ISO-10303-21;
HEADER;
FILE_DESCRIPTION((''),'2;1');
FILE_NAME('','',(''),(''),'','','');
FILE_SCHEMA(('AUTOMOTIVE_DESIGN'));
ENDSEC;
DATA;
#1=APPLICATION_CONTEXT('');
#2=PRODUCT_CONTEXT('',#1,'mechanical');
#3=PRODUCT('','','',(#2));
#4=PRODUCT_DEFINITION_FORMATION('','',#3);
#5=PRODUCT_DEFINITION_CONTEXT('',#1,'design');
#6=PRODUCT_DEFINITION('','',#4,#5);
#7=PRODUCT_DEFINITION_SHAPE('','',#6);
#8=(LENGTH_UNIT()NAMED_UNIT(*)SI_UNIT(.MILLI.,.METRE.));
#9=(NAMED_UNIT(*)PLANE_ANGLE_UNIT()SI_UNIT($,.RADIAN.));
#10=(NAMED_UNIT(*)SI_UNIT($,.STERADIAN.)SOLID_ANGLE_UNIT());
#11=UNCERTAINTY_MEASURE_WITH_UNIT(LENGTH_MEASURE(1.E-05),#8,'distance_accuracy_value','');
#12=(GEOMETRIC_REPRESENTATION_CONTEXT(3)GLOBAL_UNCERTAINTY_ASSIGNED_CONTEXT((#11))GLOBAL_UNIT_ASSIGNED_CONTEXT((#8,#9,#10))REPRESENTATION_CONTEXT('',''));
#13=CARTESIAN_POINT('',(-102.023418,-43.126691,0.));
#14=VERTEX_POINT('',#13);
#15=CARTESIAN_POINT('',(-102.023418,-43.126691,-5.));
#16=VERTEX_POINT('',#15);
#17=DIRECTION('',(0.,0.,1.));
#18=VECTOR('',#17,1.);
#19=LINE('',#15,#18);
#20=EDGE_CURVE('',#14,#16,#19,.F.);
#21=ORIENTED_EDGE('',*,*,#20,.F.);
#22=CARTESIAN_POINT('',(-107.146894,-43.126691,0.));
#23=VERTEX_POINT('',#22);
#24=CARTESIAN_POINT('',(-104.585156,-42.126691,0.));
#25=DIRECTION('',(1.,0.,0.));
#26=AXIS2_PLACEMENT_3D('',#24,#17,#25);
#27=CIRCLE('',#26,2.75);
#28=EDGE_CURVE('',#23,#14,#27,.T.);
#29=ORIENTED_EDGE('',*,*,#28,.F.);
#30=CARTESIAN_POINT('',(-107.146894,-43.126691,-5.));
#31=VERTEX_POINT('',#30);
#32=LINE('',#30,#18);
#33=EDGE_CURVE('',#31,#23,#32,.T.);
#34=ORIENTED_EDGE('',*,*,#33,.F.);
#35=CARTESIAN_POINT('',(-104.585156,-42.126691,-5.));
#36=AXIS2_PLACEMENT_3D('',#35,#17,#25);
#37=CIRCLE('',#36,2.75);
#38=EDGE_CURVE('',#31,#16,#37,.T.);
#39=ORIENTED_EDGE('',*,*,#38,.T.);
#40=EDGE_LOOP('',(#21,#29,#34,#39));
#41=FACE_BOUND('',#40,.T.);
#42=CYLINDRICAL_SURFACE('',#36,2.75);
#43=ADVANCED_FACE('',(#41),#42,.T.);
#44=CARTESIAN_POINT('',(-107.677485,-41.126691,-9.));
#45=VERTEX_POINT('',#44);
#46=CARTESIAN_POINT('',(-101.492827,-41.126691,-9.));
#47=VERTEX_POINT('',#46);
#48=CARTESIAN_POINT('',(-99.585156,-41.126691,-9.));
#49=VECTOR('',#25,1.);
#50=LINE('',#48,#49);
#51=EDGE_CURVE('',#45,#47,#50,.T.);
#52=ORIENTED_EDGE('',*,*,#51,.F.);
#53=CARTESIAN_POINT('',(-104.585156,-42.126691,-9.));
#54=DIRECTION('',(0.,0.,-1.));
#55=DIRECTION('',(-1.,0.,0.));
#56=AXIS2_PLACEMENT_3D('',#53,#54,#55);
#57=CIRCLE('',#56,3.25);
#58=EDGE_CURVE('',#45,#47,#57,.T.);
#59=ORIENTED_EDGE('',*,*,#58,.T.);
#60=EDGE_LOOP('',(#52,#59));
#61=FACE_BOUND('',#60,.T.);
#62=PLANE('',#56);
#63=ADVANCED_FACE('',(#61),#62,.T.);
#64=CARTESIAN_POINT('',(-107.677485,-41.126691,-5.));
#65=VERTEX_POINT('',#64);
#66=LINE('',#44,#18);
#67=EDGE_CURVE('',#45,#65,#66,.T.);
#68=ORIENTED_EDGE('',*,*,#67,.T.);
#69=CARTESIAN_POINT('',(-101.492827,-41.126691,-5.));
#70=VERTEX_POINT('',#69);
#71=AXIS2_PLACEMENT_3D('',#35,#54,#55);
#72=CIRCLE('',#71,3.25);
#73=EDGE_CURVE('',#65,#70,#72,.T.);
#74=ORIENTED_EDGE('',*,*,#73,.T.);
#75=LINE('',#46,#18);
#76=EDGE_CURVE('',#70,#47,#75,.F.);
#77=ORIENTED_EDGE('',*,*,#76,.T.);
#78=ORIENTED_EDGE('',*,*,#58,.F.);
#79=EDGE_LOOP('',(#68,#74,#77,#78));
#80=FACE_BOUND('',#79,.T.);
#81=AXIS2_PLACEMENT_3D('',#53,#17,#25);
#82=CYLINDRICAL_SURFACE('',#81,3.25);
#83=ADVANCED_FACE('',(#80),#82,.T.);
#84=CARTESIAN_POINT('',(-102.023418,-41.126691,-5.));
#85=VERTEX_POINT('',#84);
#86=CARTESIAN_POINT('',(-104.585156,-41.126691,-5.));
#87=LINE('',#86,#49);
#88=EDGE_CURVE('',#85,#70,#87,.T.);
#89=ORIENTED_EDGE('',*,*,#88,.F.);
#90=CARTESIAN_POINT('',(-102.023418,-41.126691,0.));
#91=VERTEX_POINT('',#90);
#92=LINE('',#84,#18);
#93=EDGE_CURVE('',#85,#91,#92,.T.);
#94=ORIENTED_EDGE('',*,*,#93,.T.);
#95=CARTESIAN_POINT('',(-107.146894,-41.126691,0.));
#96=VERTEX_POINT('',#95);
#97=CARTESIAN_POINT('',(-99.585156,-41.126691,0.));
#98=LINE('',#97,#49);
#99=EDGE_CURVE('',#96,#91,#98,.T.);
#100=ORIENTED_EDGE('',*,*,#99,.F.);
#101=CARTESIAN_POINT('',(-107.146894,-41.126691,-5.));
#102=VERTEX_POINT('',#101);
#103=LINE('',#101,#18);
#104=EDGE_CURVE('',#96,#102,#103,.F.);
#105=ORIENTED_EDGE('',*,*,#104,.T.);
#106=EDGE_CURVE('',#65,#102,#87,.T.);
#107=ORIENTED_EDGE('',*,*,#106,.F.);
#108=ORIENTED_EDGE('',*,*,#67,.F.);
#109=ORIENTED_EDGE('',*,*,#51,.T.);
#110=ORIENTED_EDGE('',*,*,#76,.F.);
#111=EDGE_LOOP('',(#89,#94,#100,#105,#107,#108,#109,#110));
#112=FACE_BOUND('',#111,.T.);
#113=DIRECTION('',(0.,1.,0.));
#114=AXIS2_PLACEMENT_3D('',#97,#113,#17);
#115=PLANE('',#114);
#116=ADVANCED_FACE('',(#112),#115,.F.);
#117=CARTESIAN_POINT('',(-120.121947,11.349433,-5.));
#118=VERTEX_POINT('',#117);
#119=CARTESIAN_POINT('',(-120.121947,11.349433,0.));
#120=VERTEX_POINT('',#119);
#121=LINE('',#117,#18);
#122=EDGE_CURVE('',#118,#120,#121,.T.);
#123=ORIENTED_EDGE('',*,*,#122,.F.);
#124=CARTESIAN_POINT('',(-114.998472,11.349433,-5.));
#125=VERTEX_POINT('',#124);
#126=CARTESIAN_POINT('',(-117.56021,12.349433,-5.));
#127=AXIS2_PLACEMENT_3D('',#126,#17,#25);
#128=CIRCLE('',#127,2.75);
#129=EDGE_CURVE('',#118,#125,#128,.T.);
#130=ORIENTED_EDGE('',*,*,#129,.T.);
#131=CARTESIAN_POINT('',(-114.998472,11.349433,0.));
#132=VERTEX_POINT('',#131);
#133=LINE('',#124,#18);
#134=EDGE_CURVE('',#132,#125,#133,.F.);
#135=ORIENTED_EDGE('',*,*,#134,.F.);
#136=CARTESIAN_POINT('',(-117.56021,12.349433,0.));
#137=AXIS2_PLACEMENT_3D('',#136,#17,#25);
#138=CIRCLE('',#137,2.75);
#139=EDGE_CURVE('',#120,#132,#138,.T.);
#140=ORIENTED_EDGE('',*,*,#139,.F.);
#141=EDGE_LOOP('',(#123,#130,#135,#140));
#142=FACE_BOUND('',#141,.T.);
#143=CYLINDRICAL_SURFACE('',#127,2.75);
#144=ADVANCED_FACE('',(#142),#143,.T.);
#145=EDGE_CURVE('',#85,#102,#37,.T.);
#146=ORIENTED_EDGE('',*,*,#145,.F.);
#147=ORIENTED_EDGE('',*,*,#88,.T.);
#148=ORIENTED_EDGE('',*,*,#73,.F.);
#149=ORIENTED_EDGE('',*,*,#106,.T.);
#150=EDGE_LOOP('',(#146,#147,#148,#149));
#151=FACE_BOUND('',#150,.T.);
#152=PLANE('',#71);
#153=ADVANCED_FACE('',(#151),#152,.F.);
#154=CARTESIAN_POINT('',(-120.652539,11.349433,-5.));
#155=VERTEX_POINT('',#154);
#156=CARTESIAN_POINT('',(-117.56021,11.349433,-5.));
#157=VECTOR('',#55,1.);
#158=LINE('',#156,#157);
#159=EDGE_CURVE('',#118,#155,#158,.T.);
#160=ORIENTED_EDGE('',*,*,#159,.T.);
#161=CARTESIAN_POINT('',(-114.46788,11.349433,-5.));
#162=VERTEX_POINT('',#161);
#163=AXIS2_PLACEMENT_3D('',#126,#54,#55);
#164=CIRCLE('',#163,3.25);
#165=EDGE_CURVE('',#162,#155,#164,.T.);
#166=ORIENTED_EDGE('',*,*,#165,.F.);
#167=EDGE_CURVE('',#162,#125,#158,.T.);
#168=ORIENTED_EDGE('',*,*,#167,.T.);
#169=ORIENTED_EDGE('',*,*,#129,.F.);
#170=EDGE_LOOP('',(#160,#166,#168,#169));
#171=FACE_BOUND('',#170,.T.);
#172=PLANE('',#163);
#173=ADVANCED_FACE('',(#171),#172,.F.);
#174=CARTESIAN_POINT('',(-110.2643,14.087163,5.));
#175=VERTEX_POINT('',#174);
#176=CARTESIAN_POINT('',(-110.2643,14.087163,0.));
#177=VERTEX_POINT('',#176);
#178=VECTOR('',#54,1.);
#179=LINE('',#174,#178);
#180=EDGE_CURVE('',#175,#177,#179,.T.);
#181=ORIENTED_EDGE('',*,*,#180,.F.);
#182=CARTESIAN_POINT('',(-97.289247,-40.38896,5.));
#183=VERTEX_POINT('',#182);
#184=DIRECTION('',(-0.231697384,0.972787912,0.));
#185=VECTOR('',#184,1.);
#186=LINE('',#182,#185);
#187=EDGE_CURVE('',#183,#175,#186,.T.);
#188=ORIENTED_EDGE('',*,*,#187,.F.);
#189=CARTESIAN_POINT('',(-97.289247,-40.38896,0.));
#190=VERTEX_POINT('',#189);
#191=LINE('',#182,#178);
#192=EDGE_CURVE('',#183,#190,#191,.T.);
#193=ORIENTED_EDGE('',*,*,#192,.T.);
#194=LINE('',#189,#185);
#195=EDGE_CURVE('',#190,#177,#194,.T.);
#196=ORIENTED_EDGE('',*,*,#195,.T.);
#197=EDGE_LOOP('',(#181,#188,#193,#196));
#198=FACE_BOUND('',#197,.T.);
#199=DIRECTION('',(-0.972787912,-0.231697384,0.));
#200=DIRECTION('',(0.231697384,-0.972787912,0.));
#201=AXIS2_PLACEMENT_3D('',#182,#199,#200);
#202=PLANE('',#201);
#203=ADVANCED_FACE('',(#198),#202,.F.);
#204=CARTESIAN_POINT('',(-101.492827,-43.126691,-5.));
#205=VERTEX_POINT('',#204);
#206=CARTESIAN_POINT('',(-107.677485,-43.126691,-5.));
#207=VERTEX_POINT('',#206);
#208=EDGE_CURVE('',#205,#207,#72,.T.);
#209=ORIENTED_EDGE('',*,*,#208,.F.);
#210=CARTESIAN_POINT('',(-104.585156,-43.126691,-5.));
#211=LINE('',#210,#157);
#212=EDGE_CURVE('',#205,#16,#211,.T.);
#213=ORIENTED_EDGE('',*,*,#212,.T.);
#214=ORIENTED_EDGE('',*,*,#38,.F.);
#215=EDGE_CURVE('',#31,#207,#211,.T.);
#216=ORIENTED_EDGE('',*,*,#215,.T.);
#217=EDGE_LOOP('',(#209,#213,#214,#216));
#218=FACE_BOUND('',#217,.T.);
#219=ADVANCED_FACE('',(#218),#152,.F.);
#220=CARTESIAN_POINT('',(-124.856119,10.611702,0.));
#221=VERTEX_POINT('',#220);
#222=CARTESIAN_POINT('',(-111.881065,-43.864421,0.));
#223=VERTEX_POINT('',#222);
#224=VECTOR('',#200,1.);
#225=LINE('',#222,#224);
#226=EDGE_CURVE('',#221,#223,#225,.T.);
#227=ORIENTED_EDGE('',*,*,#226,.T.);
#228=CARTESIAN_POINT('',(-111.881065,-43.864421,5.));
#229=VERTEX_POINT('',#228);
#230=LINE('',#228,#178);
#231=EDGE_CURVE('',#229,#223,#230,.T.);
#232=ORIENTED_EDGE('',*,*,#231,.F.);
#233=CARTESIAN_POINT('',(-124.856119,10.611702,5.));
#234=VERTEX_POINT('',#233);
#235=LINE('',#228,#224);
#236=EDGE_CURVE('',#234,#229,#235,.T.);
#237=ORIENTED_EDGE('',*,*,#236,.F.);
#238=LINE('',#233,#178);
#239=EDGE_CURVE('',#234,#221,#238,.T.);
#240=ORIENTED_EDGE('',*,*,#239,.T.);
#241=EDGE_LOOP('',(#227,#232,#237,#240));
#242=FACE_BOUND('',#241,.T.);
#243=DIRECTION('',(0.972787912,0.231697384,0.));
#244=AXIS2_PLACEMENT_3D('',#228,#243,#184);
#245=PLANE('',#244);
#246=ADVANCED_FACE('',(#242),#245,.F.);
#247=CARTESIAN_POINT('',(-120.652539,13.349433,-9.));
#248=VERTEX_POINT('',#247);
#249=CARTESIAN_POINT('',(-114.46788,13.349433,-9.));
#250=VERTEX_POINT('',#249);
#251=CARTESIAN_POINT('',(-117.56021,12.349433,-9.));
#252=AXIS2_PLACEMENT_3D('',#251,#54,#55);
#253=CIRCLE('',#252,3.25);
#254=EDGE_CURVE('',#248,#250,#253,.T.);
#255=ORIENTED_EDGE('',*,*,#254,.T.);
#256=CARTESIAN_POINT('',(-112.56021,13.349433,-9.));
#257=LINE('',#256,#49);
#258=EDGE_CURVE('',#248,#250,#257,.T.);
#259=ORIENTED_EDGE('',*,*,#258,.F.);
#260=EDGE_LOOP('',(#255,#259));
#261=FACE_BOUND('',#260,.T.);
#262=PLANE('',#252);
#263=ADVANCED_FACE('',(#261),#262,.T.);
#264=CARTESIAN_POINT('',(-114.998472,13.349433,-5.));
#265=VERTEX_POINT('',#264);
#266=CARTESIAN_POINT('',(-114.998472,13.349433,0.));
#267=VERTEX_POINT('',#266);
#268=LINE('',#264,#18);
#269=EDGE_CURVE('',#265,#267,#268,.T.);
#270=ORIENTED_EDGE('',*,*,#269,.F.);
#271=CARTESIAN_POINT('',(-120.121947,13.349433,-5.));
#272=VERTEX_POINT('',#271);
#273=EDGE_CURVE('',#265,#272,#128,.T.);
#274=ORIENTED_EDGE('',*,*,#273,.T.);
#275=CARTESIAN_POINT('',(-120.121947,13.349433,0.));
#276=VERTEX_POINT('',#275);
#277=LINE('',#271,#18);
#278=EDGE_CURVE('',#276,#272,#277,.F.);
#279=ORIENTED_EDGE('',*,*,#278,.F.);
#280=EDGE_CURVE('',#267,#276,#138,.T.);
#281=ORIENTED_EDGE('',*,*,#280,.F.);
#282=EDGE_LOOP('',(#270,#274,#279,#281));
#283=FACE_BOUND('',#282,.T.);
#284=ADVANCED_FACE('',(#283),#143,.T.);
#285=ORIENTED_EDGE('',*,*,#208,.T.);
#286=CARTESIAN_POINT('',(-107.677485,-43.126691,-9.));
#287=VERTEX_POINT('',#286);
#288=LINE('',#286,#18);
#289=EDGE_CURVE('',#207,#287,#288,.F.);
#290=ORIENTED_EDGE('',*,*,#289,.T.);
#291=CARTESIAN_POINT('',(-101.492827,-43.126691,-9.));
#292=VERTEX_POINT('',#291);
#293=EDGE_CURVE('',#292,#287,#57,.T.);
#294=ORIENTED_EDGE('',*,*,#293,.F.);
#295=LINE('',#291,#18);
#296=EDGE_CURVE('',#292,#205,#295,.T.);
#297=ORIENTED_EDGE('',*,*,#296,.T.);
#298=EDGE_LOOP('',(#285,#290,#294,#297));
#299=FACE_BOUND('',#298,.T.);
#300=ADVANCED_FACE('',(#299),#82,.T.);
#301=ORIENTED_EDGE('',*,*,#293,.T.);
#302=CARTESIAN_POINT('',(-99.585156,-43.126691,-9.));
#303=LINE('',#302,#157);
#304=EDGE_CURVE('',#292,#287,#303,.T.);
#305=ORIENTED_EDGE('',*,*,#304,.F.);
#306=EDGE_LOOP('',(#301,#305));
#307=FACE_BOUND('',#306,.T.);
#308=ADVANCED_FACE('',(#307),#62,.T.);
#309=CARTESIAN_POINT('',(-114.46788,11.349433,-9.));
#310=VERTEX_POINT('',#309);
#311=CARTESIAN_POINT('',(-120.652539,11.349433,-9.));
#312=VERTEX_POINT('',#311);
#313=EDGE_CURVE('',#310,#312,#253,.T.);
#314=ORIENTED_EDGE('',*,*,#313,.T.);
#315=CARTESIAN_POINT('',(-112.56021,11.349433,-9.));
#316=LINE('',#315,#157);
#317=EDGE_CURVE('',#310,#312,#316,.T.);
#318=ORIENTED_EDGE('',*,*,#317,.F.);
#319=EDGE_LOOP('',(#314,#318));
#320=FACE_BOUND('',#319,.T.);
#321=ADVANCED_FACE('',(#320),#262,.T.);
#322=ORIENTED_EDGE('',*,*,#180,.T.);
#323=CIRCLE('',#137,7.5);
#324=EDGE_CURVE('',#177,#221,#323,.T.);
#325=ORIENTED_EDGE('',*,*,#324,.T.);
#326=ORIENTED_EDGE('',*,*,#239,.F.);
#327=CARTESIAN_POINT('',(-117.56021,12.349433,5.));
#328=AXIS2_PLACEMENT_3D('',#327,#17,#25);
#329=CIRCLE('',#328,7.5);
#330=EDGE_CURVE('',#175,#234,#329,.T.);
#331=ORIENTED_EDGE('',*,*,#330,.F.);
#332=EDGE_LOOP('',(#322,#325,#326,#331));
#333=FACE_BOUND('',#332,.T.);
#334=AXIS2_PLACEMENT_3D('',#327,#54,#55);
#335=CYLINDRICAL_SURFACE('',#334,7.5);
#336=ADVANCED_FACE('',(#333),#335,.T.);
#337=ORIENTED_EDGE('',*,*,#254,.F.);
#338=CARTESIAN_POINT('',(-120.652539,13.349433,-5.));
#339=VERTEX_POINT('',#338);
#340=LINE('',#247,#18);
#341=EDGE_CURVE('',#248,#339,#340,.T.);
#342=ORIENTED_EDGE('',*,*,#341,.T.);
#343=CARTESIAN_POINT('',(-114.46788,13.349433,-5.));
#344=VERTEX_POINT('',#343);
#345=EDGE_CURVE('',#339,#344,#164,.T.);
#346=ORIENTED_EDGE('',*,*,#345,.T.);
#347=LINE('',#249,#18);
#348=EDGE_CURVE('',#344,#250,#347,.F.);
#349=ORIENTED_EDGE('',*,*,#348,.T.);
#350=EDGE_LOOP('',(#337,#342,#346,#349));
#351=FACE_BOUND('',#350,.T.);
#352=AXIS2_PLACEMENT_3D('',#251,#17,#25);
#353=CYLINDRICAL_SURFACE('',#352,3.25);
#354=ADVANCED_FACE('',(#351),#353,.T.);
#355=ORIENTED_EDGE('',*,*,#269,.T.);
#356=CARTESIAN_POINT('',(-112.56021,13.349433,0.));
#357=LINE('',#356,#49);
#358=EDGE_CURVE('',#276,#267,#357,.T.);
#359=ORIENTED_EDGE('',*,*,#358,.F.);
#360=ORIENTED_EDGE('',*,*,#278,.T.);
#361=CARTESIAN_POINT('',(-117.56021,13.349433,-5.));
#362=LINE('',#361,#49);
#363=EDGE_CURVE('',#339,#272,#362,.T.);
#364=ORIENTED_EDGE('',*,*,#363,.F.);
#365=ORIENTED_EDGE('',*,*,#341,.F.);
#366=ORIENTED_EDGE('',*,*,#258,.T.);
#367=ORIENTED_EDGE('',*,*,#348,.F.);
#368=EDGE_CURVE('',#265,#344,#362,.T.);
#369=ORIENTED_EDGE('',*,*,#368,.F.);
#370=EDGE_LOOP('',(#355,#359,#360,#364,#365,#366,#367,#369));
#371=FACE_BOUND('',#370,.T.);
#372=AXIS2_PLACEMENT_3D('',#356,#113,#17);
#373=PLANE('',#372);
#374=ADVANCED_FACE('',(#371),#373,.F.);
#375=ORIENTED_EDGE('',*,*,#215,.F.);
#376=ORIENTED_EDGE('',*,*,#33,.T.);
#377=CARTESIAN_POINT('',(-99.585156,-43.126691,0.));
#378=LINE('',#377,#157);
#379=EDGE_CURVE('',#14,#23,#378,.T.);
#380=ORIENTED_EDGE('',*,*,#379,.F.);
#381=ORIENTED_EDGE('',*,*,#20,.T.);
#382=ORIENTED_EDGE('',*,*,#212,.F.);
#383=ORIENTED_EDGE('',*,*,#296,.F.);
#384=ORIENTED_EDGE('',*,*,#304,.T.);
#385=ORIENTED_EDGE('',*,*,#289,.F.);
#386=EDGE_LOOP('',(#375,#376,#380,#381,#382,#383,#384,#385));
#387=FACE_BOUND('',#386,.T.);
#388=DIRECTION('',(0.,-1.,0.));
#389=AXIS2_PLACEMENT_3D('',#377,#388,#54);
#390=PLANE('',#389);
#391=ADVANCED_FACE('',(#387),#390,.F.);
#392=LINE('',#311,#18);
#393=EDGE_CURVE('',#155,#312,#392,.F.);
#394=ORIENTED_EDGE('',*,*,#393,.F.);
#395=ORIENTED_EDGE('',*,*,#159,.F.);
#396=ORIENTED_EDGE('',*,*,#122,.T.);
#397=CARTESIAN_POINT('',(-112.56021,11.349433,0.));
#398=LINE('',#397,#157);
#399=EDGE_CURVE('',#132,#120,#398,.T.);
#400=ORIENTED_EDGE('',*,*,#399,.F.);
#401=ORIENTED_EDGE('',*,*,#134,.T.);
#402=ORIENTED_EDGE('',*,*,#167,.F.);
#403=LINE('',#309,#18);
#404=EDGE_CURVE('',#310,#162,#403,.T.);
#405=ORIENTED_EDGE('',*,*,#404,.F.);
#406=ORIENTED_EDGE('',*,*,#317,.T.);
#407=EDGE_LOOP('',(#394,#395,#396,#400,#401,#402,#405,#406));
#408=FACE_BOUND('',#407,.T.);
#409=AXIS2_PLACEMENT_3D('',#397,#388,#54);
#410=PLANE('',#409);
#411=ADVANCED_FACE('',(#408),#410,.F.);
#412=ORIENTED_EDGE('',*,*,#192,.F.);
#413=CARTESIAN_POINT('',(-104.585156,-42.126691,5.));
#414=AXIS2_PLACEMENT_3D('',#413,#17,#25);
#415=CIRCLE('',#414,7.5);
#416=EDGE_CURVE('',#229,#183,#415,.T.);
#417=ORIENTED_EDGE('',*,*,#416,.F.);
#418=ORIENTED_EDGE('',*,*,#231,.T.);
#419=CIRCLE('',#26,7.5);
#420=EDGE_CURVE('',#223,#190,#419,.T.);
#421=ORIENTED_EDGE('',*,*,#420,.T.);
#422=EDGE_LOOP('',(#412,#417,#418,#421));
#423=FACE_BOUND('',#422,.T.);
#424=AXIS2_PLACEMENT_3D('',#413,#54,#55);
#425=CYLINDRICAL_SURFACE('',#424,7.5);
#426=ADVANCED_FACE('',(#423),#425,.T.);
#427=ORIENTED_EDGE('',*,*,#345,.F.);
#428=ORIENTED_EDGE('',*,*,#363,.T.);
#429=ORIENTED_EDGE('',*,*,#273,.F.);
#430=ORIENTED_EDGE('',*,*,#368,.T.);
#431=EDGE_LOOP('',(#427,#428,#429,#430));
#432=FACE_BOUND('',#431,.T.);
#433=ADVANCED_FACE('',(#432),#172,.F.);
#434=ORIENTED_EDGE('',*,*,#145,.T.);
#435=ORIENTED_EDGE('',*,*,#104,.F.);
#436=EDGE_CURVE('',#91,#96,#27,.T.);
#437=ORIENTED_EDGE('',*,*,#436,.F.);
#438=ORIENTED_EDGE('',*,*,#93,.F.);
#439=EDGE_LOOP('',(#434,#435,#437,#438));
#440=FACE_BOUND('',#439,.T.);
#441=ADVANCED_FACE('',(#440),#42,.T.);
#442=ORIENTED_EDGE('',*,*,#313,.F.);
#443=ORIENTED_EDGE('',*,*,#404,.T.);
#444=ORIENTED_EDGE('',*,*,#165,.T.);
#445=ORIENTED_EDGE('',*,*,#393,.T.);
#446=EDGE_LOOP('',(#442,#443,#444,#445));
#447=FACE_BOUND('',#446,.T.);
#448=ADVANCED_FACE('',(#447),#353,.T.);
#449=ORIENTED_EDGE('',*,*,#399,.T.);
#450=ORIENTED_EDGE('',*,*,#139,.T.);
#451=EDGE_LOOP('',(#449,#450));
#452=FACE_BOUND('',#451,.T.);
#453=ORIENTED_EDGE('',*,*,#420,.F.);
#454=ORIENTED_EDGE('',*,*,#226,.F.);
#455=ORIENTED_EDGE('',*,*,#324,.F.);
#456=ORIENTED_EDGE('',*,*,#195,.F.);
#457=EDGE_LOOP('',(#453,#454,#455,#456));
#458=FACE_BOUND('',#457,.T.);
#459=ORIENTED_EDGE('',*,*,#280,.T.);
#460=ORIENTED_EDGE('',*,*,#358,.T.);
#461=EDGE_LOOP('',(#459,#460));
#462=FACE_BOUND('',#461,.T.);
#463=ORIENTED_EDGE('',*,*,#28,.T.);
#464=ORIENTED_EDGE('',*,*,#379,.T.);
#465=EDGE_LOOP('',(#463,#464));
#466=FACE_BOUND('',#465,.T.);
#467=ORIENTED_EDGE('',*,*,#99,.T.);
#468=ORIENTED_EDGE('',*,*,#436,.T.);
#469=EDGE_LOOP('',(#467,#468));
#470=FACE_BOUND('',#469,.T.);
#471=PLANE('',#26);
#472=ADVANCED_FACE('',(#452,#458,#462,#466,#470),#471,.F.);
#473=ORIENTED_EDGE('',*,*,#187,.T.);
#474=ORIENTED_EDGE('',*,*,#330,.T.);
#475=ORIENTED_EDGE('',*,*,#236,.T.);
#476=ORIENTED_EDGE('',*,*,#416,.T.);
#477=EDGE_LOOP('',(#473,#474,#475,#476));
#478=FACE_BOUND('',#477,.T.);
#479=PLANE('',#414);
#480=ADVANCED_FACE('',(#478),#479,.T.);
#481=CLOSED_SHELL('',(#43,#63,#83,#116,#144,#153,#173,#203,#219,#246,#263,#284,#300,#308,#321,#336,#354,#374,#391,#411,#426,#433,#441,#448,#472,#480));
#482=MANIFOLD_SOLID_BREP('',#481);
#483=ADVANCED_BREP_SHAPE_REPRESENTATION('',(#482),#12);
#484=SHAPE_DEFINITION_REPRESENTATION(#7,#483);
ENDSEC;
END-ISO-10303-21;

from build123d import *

# Parameters (mm, degrees)
BOSS_EXTRU_1_DEPTH      = 5
ESQUISSE3_R             = 2.75
BOSS_EXTRU_2_DEPTH      = 5
ESQUISSE4_R             = 3.25
BOSS_EXTRU_3_DEPTH      = 4
ESQUISSE5_W             = 10
ESQUISSE5_H             = 2
ENL_V_MAT_EXTRU_1_DEPTH = 9


with BuildPart() as part:
    # Esquisse1 → Boss.-Extru.1 (new body)
    with BuildSketch(Plane.XY):
        with BuildLine():
            Line((-111.881065478, -43.864420881), (-124.856118958, 10.611702211))
            ThreePointArc((-124.856118958, 10.611702211), (-119.297939992, 19.645341931), (-110.264300273, 14.087162965))
            Line((-110.264300273, 14.087162965), (-97.289246792, -40.388960128))
            ThreePointArc((-97.289246792, -40.388960128), (-102.847425758, -49.422599847), (-111.881065478, -43.864420881))
        make_face()
    extrude(amount=BOSS_EXTRU_1_DEPTH)

    # Esquisse3 → Boss.-Extru.2 (add)
    with BuildSketch(Plane.XY):
        with Locations((-117.560209615, 12.349432588)):
            Circle(ESQUISSE3_R)
        with Locations((-104.585156135, -42.126690504)):
            Circle(ESQUISSE3_R)
    extrude(amount=-BOSS_EXTRU_2_DEPTH)

    # Esquisse4 → Boss.-Extru.3 (add)
    with BuildSketch(Plane(origin=(0, 0, -5), x_dir=(-1, 0, 0), z_dir=(0, 0, -1))):
        with Locations((117.560209615, 12.349432588)):
            Circle(ESQUISSE4_R)
        with Locations((104.585156135, -42.126690504)):
            Circle(ESQUISSE4_R)
    extrude(amount=BOSS_EXTRU_3_DEPTH)

    # Esquisse5 → Enlèv. mat.-Extru.1 (cut)
    with BuildSketch(Plane(origin=(0, 0, -9), x_dir=(-1, 0, 0), z_dir=(0, 0, -1))):
        with Locations((104.585156135, -42.126690504)):
            Rectangle(ESQUISSE5_W, ESQUISSE5_H)
        with Locations((117.560209615, 12.349432588)):
            Rectangle(ESQUISSE5_W, ESQUISSE5_H)
    extrude(amount=-ENL_V_MAT_EXTRU_1_DEPTH, mode=Mode.SUBTRACT)


solid = part.part
